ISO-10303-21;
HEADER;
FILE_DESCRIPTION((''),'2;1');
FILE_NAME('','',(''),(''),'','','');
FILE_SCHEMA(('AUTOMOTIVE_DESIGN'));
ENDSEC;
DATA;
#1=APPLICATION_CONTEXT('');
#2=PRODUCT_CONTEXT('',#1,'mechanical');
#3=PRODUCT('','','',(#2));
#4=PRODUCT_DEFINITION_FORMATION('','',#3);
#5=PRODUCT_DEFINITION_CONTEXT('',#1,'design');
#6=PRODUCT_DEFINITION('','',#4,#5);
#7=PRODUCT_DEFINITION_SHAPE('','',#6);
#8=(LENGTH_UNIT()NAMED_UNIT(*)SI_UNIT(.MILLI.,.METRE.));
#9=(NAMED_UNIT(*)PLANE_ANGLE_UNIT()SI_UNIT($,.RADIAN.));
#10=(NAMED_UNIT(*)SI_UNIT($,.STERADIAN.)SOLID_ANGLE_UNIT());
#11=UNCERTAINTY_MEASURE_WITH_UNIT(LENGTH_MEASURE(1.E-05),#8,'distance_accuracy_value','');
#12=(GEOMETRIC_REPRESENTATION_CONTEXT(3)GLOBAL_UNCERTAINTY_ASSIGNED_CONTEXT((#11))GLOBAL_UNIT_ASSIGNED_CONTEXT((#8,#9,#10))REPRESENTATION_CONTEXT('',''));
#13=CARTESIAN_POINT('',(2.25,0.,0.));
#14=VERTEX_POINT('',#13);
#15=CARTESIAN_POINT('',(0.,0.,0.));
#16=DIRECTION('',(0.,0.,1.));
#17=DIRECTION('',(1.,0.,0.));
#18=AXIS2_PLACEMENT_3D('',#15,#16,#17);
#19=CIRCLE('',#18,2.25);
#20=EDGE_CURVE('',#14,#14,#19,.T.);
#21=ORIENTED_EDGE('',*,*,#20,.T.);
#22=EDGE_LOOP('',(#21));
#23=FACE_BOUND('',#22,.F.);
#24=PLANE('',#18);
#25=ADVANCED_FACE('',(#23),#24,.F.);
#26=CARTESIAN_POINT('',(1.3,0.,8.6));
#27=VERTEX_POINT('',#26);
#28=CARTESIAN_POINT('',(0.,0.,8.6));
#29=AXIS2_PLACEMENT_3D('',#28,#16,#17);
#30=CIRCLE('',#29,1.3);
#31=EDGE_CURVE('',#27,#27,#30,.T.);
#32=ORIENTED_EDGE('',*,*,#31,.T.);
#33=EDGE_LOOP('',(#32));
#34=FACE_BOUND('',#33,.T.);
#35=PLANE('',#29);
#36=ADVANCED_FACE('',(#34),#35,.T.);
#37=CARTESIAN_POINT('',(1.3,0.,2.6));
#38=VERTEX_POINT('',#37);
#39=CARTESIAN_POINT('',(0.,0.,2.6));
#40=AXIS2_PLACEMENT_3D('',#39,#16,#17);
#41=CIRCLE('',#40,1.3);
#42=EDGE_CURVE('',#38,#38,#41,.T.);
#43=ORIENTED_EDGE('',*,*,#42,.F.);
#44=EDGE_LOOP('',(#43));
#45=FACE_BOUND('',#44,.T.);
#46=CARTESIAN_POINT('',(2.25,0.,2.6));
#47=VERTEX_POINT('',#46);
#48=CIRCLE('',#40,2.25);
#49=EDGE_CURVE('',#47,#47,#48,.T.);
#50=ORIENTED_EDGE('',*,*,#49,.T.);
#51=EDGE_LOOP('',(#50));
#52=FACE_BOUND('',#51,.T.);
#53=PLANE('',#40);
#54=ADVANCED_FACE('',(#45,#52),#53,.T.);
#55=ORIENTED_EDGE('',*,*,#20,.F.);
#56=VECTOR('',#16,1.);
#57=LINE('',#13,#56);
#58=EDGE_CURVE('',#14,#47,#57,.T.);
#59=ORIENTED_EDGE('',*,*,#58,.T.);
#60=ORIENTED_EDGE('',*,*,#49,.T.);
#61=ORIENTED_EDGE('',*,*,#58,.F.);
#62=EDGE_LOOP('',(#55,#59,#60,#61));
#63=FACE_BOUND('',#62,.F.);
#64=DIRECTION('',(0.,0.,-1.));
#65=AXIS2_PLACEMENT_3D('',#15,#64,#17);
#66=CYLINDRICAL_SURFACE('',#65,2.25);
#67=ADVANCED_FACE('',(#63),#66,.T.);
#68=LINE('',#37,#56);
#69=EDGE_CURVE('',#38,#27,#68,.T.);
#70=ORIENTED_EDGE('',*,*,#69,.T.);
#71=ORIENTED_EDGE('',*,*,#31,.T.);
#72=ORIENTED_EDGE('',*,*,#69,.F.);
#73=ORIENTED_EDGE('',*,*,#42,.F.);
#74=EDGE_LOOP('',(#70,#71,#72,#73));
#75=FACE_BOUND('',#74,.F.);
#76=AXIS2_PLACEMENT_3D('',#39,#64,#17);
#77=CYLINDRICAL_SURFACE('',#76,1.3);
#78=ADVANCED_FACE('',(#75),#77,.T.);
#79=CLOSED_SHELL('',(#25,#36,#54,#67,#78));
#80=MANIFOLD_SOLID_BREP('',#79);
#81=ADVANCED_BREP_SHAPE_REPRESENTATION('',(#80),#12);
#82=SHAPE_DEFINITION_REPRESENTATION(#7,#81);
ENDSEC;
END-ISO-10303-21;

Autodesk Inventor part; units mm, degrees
ref_plane "YZ Plane" through (0, 0, 0) normal (1, 0, 0) x (0, 1, 0)
ref_plane "XZ Plane" through (0, 0, 0) normal (0, 1, 0) x (-1, 0, 0)
ref_plane "XY Plane" through (0, 0, 0) normal (0, 0, 1) x (1, 0, 0)
sketch "スケッチ1" plane through (0, 0, 0) normal (0, 0, 1) x (1, 0, 0)
  circle A0 centre (0, 0) radius 2.25
  dimension "d0" = 4.5
extrude "押し出し1" add sketch "スケッチ1" along normal blind 2.6
sketch "スケッチ2" plane through (0, 0, 2.6) normal (0, 0, 1) x (1, 0, 0)
  circle A0 centre (0, 0) radius 1.3
  dimension "d3" = 2.6
extrude "押し出し2" add sketch "スケッチ2" along normal blind 6
properties part number "M2.6 ボルト 6mm" material "鋼"
